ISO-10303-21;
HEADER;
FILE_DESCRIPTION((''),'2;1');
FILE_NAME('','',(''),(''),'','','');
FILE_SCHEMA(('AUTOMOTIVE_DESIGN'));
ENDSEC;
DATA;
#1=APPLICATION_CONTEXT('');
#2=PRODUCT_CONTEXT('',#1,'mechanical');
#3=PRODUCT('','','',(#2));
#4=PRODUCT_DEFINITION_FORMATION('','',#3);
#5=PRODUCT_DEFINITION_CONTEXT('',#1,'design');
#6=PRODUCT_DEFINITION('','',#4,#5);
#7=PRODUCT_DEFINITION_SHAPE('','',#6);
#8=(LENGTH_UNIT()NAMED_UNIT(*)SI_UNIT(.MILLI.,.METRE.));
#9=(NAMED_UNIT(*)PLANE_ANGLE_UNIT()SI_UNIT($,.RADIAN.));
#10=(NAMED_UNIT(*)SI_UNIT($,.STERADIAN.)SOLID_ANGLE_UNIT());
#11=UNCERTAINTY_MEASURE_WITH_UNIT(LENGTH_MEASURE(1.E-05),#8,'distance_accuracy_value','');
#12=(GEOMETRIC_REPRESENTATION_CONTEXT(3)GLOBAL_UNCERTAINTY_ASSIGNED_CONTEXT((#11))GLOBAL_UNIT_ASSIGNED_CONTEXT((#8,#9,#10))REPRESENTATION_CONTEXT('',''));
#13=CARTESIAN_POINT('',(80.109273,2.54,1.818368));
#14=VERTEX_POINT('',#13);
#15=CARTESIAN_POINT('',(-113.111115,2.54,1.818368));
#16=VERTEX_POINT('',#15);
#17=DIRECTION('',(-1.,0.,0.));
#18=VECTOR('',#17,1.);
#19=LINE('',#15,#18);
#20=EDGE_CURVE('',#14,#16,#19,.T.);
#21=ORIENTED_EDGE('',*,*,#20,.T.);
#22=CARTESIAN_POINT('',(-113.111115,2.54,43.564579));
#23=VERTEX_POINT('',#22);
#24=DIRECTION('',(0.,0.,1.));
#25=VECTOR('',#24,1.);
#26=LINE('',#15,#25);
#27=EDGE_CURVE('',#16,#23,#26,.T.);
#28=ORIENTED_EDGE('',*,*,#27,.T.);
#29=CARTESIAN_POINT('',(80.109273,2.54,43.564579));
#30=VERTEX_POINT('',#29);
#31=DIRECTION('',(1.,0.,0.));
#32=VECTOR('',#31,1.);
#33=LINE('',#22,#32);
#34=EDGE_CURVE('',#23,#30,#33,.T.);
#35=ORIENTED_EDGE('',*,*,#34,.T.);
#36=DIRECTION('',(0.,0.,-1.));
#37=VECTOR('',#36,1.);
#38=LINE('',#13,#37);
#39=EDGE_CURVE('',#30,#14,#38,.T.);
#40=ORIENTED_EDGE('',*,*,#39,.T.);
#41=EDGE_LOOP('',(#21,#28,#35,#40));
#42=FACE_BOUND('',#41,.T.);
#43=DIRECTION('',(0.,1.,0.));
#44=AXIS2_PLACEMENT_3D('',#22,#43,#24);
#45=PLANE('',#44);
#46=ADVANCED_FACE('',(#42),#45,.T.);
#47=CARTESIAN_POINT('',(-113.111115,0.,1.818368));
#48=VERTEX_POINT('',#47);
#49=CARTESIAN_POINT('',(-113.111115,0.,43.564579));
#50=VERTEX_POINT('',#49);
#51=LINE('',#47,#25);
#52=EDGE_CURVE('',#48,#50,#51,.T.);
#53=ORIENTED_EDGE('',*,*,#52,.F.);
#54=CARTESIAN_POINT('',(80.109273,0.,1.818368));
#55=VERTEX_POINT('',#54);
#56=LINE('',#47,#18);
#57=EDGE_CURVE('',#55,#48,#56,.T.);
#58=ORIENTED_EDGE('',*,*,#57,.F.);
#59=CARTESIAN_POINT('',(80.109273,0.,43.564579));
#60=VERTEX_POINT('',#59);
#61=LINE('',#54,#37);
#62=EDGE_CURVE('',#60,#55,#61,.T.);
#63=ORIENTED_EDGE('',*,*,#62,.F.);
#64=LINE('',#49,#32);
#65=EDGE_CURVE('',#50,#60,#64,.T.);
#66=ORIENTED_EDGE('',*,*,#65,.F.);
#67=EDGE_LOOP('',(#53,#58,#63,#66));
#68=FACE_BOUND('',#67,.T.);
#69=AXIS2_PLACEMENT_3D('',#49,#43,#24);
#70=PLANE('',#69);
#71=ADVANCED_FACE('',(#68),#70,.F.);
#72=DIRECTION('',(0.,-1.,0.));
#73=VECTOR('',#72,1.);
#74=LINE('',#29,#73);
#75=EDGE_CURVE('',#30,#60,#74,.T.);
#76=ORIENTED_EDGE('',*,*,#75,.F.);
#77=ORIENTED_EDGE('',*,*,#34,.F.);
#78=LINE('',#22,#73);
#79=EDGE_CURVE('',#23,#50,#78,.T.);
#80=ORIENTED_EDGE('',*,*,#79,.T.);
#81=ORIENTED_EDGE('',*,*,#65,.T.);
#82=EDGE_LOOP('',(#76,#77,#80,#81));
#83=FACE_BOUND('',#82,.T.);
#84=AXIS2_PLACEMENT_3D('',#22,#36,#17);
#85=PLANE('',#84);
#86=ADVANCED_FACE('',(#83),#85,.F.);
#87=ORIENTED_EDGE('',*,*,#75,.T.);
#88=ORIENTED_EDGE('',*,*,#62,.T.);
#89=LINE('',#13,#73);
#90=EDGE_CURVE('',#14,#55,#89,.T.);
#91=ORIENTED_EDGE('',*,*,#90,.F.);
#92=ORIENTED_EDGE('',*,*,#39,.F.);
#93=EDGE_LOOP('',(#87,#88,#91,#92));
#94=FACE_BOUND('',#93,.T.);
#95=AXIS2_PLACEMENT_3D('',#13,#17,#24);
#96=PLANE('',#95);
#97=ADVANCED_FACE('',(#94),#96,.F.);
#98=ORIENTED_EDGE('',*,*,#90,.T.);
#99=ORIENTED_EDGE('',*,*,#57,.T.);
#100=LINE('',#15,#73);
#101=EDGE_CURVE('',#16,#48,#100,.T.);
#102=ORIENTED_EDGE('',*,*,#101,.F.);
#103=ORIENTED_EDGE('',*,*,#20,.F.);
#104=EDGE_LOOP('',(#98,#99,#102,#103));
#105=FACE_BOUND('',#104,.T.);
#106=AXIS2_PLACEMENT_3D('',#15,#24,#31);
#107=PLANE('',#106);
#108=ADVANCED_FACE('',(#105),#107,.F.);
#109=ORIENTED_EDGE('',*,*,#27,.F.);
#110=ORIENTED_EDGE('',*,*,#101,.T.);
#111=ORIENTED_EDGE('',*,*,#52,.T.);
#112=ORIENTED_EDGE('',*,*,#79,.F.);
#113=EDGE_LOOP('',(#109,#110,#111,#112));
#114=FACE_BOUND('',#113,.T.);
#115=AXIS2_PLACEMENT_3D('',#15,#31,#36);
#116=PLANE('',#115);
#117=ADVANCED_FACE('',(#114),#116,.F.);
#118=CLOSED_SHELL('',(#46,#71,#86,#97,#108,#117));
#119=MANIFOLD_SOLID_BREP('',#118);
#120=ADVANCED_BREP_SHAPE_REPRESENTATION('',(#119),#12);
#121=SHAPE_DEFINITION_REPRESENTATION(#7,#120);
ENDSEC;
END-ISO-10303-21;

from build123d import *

# Parameters (mm, degrees)
SKETCH1_W      = 193.220387821
SKETCH1_H      = 41.746210879
EXTRUDE1_DEPTH = 2.54


with BuildPart() as part:
    # Sketch1 → Extrude1 (new body)
    with BuildSketch(Plane(origin=(0, 0, 0), x_dir=(1, 0, 0), z_dir=(0, 1, 0))):
        with Locations((-16.500921109, -22.691473327)):
            Rectangle(SKETCH1_W, SKETCH1_H)
    extrude(amount=EXTRUDE1_DEPTH)


solid = part.part
